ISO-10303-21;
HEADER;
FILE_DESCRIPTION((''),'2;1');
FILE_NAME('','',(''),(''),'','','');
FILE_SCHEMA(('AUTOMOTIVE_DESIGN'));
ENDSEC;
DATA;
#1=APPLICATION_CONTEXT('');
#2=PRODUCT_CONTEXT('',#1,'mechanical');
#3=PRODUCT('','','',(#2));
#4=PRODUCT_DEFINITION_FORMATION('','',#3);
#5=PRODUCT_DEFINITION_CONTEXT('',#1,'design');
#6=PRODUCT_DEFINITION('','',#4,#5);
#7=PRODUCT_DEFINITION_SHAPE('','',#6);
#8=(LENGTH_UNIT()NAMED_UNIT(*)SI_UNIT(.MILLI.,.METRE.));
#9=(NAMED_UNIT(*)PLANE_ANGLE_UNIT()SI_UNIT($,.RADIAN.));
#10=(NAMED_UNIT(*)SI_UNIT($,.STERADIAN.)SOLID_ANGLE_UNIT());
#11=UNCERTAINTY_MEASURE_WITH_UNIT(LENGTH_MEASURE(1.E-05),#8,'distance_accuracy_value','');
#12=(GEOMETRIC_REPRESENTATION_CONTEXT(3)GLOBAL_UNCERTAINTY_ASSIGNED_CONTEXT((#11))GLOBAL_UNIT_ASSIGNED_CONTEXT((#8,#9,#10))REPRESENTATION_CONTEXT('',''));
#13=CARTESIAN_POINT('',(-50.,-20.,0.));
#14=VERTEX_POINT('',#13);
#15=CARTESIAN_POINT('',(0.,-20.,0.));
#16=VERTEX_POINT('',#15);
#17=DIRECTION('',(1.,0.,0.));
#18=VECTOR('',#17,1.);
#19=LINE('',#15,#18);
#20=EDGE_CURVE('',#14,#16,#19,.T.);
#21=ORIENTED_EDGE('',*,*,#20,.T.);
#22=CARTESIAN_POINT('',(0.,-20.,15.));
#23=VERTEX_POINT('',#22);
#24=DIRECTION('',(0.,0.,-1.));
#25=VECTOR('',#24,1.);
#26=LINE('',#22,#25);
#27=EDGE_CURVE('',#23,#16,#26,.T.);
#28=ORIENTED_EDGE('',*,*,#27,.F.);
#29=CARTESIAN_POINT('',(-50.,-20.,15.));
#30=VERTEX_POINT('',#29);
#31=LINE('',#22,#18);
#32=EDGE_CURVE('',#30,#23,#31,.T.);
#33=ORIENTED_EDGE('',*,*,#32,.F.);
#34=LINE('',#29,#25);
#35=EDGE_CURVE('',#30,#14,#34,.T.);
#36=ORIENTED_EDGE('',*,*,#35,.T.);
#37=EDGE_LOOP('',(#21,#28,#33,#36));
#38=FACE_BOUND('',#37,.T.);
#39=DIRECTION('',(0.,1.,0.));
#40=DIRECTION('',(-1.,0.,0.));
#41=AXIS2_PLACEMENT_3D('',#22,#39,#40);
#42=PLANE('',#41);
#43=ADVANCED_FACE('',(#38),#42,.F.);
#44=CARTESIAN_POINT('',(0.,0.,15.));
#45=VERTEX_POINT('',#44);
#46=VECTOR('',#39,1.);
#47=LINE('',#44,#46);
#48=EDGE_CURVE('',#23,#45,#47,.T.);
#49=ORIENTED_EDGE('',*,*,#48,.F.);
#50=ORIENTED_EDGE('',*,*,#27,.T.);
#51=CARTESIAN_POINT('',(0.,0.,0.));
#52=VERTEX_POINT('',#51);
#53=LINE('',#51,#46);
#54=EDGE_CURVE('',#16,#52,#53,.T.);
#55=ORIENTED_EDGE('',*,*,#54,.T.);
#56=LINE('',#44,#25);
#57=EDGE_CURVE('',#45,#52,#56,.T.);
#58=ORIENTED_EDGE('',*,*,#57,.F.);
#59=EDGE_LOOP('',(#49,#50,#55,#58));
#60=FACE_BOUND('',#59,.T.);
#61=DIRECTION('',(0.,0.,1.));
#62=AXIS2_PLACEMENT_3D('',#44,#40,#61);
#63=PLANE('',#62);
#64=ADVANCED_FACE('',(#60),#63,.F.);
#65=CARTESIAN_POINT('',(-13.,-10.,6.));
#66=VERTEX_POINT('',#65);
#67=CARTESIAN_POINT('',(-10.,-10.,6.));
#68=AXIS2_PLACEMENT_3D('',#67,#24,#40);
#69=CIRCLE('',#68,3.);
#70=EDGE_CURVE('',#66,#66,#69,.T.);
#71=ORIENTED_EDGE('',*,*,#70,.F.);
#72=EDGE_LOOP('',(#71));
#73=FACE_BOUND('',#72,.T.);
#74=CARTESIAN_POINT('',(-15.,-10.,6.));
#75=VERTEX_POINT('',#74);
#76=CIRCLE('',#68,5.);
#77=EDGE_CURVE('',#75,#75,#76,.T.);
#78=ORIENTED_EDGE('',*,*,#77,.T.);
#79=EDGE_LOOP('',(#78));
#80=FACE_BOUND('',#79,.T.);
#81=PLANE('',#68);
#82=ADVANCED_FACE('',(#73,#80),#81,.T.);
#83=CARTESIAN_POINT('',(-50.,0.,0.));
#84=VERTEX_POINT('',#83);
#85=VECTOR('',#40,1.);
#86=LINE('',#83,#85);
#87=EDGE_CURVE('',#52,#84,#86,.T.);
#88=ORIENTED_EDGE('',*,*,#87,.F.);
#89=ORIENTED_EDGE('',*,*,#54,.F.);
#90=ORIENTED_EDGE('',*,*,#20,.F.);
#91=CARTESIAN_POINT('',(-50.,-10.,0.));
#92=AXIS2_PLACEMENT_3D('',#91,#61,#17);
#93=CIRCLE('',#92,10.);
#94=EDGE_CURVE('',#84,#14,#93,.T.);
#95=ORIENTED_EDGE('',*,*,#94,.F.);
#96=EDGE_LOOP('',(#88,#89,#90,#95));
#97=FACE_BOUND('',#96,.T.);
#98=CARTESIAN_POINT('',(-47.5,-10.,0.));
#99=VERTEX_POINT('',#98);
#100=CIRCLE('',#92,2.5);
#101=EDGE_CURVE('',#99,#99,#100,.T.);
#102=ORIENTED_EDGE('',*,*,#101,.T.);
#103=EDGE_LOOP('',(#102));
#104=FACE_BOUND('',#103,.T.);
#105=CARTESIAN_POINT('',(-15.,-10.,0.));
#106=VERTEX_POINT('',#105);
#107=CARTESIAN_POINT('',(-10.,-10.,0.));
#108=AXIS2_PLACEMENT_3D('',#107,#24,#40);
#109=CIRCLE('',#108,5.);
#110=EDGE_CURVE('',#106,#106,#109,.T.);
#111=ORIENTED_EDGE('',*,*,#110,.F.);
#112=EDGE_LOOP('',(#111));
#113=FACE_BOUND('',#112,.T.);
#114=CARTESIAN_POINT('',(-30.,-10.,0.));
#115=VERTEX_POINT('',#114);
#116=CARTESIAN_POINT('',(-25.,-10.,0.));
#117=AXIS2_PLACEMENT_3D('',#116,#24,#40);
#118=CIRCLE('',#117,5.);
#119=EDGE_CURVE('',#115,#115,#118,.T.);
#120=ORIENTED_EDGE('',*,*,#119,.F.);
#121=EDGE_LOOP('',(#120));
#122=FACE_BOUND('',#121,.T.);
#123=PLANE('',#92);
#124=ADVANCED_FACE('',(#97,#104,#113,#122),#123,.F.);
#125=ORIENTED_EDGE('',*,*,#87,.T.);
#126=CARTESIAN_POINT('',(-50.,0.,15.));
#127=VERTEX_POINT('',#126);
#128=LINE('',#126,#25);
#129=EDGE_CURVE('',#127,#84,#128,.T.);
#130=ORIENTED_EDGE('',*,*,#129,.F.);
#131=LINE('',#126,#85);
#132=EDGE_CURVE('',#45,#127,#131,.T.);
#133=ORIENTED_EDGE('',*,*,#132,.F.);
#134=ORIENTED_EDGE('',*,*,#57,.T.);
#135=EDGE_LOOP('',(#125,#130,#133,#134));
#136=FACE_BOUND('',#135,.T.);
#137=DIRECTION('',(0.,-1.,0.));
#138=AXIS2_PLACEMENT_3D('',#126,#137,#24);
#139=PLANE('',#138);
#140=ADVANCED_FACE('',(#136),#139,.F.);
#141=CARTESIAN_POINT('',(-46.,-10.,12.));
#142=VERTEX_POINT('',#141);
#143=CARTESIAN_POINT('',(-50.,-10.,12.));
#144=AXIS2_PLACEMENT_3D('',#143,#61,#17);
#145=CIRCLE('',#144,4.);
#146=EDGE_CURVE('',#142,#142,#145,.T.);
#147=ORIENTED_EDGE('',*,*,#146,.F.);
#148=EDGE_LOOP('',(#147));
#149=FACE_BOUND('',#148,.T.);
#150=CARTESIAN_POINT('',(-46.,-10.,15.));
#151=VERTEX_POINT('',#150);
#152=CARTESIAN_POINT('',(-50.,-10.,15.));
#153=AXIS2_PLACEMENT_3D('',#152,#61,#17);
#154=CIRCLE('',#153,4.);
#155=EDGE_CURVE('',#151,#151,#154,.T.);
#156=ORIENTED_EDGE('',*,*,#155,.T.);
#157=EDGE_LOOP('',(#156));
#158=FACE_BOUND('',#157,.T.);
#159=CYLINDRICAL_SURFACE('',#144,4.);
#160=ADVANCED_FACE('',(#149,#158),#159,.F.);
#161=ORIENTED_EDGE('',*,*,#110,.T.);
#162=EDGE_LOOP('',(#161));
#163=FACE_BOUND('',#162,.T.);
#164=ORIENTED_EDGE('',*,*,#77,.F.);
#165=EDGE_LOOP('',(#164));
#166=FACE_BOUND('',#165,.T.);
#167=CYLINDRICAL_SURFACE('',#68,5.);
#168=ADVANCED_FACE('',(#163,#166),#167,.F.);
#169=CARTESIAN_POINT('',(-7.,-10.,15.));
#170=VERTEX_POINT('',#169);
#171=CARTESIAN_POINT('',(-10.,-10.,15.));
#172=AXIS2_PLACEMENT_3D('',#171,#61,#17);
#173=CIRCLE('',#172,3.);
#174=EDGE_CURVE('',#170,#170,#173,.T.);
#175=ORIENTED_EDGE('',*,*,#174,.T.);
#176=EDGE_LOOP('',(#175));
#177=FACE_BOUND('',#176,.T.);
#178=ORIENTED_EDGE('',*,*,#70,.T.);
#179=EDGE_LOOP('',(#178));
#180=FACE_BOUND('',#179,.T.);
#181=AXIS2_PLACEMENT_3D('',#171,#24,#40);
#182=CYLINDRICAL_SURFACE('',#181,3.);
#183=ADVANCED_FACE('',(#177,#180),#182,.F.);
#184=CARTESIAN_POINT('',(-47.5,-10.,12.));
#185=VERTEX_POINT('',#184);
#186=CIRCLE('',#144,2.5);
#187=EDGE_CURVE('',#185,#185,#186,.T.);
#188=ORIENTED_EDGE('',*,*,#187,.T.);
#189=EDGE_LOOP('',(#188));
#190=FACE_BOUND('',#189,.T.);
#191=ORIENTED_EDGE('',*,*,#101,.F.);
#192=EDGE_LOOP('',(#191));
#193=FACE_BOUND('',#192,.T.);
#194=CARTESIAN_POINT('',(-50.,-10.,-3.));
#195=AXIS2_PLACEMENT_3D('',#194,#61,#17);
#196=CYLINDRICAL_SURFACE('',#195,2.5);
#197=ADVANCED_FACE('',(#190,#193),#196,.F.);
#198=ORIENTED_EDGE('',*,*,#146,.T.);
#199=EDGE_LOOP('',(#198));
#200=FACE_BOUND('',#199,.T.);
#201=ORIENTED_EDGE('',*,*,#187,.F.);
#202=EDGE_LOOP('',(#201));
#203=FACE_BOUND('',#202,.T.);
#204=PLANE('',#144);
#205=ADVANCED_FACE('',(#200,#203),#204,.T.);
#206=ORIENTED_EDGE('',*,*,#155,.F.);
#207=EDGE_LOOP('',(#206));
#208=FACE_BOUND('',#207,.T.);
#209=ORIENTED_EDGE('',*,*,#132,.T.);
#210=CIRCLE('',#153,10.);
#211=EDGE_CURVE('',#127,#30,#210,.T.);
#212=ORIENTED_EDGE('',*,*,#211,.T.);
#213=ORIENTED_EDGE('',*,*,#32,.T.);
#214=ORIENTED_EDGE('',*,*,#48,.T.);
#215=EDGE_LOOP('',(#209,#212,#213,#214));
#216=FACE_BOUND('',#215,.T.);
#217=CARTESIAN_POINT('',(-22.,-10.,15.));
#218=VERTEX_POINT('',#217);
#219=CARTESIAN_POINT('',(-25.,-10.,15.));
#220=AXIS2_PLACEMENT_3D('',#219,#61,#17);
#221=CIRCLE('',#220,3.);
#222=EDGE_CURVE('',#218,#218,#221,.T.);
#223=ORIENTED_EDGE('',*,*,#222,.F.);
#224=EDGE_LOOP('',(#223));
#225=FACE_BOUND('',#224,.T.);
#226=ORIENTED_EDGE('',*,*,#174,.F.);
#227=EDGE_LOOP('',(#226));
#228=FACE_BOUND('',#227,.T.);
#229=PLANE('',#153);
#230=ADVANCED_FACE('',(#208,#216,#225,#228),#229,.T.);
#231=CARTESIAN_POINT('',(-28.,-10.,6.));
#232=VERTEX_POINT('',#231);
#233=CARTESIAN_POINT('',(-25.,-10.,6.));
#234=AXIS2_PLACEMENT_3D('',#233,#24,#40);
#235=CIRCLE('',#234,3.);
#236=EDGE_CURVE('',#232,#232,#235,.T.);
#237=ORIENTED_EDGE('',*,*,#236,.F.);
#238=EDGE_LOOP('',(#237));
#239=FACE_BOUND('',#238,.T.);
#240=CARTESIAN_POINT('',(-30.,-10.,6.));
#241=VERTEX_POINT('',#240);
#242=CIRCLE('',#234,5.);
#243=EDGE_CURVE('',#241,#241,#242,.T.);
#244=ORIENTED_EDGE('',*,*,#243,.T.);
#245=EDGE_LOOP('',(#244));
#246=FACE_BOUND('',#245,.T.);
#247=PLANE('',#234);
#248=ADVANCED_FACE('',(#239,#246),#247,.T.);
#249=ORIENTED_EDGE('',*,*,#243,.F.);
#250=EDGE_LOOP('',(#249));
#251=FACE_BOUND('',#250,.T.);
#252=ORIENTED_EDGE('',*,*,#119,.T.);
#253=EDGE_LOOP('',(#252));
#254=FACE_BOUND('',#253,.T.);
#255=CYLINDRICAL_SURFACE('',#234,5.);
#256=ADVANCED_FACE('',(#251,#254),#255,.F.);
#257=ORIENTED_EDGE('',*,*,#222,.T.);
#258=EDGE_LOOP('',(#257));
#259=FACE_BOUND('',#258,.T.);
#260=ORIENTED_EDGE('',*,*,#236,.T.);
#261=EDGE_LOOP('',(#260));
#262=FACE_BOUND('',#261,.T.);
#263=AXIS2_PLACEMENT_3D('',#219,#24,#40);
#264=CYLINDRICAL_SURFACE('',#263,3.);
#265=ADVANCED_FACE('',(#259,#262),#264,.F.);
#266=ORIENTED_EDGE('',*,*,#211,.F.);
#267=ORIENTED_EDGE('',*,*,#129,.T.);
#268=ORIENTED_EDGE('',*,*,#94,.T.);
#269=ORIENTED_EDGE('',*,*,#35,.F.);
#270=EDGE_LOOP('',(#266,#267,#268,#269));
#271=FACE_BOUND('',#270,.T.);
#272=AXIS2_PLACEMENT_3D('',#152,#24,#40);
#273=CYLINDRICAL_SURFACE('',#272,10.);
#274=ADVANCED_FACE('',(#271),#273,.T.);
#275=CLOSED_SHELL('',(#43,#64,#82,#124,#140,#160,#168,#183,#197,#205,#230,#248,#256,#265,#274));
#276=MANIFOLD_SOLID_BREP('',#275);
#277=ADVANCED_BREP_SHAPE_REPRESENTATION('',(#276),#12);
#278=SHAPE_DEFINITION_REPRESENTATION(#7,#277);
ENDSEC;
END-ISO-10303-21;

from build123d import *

# Parameters (mm, degrees)
SKETCH_1_R          = 3
EXTRUDE_1_DEPTH     = 15
SKETCH_2_R          = 4
CUT_EXTRUDE_1_DEPTH = 3
SKETCH_3_R          = 2.5
CUT_EXTRUDE_2_DEPTH = 15
SKETCH_4_R          = 5
CUT_EXTRUDE_3_DEPTH = 6


with BuildPart() as part:
    # 草图1 → 凸台-拉伸1 (new body)
    with BuildSketch(Plane.XY):
        with BuildLine():
            Line((-50, 0), (0, 0))
            Line((0, 0), (0, -20))
            Line((0, -20), (-50, -20))
            ThreePointArc((-50, -20), (-60, -10), (-50, 0))
        make_face()
        with Locations((-25, -10)):
            Circle(SKETCH_1_R, mode=Mode.SUBTRACT)
        with Locations((-10, -10)):
            Circle(SKETCH_1_R, mode=Mode.SUBTRACT)
    extrude(amount=EXTRUDE_1_DEPTH)

    # 草图2 → 切除-拉伸1 (cut)
    with BuildSketch(Plane.XY.offset(15)):
        with Locations((-50, -10)):
            Circle(SKETCH_2_R)
    extrude(amount=-CUT_EXTRUDE_1_DEPTH, mode=Mode.SUBTRACT)

    # 草图3 → 切除-拉伸2 (cut)
    with BuildSketch(Plane.XY.offset(12)):
        with Locations((-50, -10)):
            Circle(SKETCH_3_R)
    extrude(amount=-CUT_EXTRUDE_2_DEPTH, mode=Mode.SUBTRACT)

    # 草图4 → 切除-拉伸3 (cut)
    with BuildSketch(Plane(origin=(0, 0, 0), x_dir=(-1, 0, 0), z_dir=(0, 0, -1))):
        with Locations((10, -10)):
            Circle(SKETCH_4_R)
        with Locations((25, -10)):
            Circle(SKETCH_4_R)
    extrude(amount=-CUT_EXTRUDE_3_DEPTH, mode=Mode.SUBTRACT)


solid = part.part
